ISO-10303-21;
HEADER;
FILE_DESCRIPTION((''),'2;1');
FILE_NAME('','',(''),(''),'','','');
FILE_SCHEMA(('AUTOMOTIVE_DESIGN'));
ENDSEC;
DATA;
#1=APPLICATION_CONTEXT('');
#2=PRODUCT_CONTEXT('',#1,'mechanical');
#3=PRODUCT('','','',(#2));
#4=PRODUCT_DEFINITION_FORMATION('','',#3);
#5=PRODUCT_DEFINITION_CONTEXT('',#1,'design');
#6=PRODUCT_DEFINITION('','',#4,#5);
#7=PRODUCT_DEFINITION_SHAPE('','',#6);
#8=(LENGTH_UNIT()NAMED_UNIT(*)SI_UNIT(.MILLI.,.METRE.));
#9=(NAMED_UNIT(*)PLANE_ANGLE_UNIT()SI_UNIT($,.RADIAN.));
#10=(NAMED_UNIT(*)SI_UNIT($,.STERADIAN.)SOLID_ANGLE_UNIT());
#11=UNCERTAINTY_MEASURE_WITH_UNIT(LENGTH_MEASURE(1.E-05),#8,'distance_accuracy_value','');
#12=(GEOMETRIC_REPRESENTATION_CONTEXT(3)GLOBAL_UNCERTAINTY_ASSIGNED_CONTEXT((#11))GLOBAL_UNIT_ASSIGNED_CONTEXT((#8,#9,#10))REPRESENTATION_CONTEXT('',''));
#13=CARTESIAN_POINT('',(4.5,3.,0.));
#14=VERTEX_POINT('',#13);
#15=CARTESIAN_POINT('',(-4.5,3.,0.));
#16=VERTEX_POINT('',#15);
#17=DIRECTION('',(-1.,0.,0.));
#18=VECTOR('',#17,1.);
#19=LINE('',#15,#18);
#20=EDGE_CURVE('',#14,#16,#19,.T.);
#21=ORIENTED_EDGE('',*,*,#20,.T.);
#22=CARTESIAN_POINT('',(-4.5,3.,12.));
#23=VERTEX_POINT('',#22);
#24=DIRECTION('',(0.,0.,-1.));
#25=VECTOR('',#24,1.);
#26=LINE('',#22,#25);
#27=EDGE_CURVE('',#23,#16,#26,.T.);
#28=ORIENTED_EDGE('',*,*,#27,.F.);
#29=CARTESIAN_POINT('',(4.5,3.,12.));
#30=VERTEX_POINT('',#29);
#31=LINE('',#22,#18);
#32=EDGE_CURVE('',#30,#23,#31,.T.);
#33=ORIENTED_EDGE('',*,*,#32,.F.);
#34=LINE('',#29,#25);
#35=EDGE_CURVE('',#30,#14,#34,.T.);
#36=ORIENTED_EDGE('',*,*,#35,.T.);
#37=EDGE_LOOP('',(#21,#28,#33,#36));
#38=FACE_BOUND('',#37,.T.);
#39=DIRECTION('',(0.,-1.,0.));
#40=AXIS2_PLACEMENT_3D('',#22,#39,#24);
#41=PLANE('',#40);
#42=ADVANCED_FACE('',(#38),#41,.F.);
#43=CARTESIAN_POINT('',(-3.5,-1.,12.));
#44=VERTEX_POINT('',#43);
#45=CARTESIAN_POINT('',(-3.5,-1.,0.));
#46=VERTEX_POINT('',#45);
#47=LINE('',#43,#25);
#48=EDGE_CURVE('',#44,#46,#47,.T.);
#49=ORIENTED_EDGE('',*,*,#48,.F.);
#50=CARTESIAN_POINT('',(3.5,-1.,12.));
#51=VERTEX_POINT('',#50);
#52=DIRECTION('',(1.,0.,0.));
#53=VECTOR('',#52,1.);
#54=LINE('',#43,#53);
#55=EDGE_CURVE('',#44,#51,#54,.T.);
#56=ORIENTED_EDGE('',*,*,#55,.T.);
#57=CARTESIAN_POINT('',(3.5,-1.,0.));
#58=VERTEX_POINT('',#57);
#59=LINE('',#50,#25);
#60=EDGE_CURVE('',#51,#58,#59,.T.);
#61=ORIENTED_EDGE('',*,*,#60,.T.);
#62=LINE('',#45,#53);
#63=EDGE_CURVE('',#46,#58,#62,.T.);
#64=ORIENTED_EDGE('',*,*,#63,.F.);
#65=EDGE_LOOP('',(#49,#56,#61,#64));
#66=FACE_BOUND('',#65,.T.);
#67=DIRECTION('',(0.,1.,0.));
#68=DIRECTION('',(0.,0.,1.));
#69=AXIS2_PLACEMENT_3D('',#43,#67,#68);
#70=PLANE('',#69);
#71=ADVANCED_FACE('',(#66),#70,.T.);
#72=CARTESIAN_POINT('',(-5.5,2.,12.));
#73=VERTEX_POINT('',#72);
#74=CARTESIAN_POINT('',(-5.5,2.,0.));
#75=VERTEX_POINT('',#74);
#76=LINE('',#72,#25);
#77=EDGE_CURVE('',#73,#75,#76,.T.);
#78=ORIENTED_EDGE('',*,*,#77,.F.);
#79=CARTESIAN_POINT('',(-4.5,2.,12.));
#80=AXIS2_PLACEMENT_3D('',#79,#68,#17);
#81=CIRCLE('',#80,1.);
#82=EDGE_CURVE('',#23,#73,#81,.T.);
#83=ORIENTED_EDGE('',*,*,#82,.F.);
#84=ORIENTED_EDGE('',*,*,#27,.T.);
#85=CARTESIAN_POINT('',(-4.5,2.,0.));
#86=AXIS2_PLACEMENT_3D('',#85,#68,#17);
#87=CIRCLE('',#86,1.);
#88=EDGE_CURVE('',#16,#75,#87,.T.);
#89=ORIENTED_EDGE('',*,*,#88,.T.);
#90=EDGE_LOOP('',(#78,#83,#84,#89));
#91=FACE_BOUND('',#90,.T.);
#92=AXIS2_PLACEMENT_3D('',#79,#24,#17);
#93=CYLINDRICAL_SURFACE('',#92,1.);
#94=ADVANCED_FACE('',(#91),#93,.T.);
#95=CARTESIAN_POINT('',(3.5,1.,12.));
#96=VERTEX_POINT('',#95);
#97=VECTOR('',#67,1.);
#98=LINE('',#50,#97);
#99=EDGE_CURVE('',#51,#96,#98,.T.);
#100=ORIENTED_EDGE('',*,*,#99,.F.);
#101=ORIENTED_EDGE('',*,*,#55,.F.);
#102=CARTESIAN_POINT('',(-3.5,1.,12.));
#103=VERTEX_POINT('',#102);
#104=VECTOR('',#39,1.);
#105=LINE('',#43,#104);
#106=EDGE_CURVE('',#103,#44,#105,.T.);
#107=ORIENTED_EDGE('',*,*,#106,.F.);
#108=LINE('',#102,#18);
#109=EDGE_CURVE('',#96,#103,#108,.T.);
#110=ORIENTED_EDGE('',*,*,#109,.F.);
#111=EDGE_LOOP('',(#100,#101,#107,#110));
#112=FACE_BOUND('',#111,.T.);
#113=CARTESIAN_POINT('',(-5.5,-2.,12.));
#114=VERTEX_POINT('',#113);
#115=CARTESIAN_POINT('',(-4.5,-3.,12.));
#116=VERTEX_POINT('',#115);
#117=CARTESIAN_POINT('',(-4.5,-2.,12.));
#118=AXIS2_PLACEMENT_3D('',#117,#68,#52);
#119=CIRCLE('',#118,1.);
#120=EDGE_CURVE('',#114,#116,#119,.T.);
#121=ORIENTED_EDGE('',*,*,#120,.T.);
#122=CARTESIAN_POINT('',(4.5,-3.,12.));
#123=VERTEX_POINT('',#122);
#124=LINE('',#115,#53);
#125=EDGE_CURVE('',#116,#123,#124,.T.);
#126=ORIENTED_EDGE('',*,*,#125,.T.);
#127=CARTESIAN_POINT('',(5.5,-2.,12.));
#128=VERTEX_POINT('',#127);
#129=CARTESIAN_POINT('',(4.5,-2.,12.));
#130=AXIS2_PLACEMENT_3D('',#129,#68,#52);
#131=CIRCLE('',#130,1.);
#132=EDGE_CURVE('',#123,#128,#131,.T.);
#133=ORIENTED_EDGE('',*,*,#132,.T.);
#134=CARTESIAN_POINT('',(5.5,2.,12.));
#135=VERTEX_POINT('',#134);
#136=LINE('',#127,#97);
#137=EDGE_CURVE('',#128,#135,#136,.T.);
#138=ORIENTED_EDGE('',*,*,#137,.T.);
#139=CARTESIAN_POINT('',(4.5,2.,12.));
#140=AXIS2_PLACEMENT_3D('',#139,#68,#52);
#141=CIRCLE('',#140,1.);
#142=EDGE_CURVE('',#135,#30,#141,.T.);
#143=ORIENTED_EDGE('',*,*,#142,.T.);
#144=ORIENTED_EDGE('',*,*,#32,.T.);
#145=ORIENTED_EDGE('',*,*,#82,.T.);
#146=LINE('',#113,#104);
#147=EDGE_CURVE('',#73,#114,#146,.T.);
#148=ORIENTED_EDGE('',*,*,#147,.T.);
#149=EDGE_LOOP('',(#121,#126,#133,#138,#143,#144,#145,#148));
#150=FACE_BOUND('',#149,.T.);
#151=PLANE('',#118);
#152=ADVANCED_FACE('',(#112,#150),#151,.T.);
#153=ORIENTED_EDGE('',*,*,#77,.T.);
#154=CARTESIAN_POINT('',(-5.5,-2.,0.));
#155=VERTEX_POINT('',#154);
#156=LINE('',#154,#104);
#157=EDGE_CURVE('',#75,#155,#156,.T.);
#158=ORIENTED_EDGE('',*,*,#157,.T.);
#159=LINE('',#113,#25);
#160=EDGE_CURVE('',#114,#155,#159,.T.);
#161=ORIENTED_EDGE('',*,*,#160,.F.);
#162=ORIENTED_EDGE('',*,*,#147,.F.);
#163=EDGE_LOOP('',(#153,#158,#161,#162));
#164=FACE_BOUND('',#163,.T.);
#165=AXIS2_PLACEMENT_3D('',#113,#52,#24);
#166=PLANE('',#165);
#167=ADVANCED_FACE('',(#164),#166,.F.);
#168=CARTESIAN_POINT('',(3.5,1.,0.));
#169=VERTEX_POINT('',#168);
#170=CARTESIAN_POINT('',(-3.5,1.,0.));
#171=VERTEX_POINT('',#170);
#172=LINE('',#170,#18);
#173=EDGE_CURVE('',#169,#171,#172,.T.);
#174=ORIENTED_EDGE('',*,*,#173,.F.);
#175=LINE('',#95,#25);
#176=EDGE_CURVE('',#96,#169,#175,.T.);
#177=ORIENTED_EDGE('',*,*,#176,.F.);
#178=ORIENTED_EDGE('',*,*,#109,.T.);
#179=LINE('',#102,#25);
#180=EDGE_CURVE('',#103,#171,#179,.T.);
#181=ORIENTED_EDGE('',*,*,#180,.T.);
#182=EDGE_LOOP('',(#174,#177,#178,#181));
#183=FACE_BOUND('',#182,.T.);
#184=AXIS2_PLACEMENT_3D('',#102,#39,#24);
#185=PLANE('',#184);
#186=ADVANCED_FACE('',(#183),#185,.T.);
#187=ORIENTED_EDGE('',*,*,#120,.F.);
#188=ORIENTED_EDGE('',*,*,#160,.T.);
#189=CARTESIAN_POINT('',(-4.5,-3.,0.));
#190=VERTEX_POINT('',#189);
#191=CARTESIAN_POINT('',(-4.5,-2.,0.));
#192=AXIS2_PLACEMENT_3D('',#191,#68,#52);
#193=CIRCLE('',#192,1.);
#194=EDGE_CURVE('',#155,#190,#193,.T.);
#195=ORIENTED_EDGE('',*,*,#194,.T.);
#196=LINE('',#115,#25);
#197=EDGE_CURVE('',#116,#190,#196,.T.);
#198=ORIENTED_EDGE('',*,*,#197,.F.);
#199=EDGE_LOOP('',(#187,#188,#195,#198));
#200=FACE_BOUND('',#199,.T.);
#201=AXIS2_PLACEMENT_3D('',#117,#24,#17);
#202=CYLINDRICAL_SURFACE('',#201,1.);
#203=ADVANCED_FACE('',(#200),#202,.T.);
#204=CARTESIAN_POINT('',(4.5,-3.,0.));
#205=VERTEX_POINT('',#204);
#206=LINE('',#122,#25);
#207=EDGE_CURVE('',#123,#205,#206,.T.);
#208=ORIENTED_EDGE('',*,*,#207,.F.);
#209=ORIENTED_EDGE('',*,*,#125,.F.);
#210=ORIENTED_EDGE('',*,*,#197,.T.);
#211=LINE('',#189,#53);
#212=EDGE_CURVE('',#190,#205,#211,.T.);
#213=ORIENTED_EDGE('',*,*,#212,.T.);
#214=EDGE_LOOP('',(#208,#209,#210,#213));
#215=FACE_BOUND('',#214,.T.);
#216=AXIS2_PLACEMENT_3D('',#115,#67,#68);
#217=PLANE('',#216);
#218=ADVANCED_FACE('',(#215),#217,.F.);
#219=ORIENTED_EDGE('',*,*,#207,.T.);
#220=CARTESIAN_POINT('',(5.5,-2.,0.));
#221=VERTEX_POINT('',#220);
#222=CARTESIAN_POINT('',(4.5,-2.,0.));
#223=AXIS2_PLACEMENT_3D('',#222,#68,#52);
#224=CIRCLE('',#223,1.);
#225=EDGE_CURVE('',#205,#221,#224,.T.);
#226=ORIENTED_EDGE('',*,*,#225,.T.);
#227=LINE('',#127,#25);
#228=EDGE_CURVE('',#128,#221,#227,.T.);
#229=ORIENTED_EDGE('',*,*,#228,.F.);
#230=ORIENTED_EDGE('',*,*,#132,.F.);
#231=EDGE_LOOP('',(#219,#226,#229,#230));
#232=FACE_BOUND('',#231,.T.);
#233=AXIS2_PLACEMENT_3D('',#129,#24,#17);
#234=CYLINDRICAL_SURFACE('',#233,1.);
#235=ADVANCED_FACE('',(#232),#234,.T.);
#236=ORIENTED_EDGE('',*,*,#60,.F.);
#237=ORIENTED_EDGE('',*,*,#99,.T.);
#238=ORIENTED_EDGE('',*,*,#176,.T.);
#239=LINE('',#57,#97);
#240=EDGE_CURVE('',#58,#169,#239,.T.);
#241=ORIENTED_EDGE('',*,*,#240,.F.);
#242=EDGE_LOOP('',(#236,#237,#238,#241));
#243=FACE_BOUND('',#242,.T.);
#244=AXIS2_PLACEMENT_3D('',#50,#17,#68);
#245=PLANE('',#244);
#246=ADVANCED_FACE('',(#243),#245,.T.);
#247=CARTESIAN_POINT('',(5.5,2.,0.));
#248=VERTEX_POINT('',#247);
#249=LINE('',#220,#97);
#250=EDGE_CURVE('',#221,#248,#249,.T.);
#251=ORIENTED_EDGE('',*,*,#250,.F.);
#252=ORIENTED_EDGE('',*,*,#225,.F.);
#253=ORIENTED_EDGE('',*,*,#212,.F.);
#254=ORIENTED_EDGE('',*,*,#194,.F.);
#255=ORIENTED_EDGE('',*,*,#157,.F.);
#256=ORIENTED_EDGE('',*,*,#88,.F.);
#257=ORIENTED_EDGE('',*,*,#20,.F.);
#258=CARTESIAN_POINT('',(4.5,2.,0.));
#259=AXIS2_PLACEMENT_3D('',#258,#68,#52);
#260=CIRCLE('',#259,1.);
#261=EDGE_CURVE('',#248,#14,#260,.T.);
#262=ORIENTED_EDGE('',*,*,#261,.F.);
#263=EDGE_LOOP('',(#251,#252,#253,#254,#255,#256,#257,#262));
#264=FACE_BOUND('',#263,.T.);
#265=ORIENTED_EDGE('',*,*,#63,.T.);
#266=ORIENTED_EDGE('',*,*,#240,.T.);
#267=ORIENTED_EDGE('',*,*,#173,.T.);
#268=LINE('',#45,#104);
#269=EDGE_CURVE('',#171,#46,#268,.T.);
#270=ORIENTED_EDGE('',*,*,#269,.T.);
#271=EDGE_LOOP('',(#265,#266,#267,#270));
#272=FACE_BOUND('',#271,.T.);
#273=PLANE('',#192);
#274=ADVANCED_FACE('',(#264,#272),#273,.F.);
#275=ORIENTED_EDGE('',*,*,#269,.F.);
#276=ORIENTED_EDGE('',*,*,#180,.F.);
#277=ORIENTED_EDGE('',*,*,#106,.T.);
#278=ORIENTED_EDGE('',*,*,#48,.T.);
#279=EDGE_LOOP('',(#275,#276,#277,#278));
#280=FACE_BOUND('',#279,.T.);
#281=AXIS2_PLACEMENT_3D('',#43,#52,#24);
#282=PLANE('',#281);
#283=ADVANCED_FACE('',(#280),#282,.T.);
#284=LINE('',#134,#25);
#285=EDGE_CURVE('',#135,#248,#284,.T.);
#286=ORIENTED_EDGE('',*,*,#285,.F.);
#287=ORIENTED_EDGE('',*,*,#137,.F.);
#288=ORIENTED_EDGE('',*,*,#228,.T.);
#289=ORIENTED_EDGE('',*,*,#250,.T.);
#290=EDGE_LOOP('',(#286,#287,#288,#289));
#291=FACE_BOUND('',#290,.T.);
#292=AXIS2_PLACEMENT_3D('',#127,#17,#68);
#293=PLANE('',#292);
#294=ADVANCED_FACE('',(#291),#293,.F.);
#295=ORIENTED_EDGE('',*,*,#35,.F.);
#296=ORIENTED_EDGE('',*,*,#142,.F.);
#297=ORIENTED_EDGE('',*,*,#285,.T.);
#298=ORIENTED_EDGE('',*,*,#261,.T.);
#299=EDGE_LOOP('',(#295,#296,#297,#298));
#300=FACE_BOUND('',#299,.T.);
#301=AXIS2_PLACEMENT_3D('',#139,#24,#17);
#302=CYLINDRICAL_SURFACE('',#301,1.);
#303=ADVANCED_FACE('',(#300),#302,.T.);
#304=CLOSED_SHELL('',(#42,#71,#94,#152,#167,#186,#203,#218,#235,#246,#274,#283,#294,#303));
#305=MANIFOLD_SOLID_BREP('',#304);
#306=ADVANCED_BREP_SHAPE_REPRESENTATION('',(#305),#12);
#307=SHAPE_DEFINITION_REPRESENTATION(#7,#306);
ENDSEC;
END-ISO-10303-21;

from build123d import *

# Parameters (mm, degrees)
SKETCH_1_W      = 7
SKETCH_1_H      = 2
EXTRUDE_1_DEPTH = 12


with BuildPart() as part:
    # 草图1 → 凸台-拉伸1 (new body)
    with BuildSketch(Plane.XY):
        with BuildLine():
            Line((-4.5, -3), (4.5, -3))
            ThreePointArc((4.5, -3), (5.207106781, -2.707106781), (5.5, -2))
            Line((5.5, -2), (5.5, 2))
            ThreePointArc((5.5, 2), (5.207106781, 2.707106781), (4.5, 3))
            Line((4.5, 3), (-4.5, 3))
            ThreePointArc((-4.5, 3), (-5.207106781, 2.707106781), (-5.5, 2))
            Line((-5.5, 2), (-5.5, -2))
            ThreePointArc((-5.5, -2), (-5.207106781, -2.707106781), (-4.5, -3))
        make_face()
        Rectangle(SKETCH_1_W, SKETCH_1_H, mode=Mode.SUBTRACT)
    extrude(amount=EXTRUDE_1_DEPTH)


solid = part.part
